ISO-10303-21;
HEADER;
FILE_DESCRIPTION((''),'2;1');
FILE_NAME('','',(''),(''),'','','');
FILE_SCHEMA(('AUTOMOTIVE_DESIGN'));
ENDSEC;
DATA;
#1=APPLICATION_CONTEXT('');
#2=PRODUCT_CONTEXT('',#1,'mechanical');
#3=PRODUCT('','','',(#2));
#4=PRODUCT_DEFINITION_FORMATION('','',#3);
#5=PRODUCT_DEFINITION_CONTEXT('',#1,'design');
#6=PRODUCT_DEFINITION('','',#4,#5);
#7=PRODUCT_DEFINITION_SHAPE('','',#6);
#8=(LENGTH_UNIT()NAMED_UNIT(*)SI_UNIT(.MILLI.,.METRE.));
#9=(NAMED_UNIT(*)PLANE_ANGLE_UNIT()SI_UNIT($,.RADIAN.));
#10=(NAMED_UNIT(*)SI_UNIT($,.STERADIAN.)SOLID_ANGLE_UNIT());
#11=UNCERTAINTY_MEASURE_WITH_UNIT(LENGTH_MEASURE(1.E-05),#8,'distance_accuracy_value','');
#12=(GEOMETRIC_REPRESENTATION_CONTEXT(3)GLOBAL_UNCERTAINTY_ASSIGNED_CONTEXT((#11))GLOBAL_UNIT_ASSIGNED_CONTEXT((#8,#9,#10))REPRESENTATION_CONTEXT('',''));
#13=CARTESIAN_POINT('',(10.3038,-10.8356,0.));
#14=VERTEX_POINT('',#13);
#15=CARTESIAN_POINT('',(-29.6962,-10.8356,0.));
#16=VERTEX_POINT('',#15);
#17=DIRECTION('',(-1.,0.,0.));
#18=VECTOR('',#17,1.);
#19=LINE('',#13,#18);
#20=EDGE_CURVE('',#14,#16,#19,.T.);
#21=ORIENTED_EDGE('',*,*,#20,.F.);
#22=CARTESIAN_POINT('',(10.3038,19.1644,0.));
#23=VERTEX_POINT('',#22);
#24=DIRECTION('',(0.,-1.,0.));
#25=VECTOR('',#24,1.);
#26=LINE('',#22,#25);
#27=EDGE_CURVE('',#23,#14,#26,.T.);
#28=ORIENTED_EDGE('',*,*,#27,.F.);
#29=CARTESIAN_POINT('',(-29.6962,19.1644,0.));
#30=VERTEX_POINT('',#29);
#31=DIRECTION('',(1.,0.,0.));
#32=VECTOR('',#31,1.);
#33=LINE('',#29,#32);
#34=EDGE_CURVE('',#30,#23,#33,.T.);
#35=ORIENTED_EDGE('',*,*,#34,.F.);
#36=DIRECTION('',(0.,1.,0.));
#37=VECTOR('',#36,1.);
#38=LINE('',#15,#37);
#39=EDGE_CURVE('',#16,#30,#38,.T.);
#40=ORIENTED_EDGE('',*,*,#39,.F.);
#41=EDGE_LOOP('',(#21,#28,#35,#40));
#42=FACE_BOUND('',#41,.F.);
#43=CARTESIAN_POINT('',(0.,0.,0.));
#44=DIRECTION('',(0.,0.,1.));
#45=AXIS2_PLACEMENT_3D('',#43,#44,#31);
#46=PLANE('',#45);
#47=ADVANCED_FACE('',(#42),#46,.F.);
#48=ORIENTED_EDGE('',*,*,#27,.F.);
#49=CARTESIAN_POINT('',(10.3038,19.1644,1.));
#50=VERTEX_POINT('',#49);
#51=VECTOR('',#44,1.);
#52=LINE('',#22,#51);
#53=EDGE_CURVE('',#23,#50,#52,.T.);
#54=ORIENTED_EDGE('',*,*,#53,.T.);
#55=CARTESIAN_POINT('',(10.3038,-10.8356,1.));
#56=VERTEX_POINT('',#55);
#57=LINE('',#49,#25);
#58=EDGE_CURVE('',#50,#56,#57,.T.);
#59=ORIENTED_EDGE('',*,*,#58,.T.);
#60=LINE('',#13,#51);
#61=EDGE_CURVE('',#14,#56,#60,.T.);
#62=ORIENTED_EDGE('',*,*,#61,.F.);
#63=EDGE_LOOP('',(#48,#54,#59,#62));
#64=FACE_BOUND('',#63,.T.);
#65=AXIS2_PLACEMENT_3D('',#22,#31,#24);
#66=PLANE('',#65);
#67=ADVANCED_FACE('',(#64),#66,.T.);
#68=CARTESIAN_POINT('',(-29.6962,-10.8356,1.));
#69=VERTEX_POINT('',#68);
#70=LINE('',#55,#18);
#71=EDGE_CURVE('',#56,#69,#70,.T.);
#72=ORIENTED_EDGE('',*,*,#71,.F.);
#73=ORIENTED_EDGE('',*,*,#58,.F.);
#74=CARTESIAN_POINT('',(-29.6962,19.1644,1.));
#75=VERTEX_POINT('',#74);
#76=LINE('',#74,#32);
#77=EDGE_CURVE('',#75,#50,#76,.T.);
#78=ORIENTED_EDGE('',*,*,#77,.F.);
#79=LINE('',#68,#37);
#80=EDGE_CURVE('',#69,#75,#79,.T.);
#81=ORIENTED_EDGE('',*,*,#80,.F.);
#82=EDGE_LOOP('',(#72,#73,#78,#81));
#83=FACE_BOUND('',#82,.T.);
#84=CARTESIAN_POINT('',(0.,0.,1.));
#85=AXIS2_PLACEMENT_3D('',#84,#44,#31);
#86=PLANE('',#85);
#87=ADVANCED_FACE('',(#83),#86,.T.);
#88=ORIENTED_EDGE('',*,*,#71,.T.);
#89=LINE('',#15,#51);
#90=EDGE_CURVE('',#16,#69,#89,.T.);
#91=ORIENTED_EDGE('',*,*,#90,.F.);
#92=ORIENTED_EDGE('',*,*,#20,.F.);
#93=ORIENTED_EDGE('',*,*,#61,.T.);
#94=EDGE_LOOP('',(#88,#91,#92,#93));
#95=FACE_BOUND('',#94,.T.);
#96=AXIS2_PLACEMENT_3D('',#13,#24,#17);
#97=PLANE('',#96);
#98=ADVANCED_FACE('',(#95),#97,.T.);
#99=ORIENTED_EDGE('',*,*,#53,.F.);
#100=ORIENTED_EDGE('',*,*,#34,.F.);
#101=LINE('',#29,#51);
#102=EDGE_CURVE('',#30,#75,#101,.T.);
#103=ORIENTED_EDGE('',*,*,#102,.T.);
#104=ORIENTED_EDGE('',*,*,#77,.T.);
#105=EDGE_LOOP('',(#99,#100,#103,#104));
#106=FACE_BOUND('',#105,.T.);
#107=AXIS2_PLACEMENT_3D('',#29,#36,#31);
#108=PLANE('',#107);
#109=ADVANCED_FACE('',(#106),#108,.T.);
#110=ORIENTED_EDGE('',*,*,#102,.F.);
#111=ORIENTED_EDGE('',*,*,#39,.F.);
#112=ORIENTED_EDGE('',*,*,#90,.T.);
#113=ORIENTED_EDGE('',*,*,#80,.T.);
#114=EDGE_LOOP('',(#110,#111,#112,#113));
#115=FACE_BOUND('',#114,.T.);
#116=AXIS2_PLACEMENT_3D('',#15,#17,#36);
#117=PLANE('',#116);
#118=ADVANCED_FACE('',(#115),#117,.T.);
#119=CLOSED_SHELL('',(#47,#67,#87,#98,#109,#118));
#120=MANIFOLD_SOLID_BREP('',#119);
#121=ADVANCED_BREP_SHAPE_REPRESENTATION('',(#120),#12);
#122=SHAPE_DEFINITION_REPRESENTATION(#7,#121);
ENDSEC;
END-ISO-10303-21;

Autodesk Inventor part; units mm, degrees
ref_plane "YZ Plane" through (0, 0, 0) normal (1, 0, 0) x (0, 1, 0)
ref_plane "XZ Plane" through (0, 0, 0) normal (0, 1, 0) x (-1, 0, 0)
ref_plane "XY Plane" through (0, 0, 0) normal (0, 0, 1) x (1, 0, 0)
sketch "Sketch1" plane through (0, 0, 0) normal (0, 0, 1) x (1, 0, 0)
  line L0 (-29.6962, 19.1644) -> (10.3038, 19.1644)
  line L1 (10.3038, 19.1644) -> (10.3038, -10.8356)
  line L2 (10.3038, -10.8356) -> (-29.6962, -10.8356)
  line L3 (-29.6962, -10.8356) -> (-29.6962, 19.1644)
  point P0 (0, 0)
  dimension "d0" = 40
  dimension "d1" = 30
extrude "Extrusion1" add sketch "Sketch1" along normal blind 1
properties part number "cellSTORM_nickelplate"
